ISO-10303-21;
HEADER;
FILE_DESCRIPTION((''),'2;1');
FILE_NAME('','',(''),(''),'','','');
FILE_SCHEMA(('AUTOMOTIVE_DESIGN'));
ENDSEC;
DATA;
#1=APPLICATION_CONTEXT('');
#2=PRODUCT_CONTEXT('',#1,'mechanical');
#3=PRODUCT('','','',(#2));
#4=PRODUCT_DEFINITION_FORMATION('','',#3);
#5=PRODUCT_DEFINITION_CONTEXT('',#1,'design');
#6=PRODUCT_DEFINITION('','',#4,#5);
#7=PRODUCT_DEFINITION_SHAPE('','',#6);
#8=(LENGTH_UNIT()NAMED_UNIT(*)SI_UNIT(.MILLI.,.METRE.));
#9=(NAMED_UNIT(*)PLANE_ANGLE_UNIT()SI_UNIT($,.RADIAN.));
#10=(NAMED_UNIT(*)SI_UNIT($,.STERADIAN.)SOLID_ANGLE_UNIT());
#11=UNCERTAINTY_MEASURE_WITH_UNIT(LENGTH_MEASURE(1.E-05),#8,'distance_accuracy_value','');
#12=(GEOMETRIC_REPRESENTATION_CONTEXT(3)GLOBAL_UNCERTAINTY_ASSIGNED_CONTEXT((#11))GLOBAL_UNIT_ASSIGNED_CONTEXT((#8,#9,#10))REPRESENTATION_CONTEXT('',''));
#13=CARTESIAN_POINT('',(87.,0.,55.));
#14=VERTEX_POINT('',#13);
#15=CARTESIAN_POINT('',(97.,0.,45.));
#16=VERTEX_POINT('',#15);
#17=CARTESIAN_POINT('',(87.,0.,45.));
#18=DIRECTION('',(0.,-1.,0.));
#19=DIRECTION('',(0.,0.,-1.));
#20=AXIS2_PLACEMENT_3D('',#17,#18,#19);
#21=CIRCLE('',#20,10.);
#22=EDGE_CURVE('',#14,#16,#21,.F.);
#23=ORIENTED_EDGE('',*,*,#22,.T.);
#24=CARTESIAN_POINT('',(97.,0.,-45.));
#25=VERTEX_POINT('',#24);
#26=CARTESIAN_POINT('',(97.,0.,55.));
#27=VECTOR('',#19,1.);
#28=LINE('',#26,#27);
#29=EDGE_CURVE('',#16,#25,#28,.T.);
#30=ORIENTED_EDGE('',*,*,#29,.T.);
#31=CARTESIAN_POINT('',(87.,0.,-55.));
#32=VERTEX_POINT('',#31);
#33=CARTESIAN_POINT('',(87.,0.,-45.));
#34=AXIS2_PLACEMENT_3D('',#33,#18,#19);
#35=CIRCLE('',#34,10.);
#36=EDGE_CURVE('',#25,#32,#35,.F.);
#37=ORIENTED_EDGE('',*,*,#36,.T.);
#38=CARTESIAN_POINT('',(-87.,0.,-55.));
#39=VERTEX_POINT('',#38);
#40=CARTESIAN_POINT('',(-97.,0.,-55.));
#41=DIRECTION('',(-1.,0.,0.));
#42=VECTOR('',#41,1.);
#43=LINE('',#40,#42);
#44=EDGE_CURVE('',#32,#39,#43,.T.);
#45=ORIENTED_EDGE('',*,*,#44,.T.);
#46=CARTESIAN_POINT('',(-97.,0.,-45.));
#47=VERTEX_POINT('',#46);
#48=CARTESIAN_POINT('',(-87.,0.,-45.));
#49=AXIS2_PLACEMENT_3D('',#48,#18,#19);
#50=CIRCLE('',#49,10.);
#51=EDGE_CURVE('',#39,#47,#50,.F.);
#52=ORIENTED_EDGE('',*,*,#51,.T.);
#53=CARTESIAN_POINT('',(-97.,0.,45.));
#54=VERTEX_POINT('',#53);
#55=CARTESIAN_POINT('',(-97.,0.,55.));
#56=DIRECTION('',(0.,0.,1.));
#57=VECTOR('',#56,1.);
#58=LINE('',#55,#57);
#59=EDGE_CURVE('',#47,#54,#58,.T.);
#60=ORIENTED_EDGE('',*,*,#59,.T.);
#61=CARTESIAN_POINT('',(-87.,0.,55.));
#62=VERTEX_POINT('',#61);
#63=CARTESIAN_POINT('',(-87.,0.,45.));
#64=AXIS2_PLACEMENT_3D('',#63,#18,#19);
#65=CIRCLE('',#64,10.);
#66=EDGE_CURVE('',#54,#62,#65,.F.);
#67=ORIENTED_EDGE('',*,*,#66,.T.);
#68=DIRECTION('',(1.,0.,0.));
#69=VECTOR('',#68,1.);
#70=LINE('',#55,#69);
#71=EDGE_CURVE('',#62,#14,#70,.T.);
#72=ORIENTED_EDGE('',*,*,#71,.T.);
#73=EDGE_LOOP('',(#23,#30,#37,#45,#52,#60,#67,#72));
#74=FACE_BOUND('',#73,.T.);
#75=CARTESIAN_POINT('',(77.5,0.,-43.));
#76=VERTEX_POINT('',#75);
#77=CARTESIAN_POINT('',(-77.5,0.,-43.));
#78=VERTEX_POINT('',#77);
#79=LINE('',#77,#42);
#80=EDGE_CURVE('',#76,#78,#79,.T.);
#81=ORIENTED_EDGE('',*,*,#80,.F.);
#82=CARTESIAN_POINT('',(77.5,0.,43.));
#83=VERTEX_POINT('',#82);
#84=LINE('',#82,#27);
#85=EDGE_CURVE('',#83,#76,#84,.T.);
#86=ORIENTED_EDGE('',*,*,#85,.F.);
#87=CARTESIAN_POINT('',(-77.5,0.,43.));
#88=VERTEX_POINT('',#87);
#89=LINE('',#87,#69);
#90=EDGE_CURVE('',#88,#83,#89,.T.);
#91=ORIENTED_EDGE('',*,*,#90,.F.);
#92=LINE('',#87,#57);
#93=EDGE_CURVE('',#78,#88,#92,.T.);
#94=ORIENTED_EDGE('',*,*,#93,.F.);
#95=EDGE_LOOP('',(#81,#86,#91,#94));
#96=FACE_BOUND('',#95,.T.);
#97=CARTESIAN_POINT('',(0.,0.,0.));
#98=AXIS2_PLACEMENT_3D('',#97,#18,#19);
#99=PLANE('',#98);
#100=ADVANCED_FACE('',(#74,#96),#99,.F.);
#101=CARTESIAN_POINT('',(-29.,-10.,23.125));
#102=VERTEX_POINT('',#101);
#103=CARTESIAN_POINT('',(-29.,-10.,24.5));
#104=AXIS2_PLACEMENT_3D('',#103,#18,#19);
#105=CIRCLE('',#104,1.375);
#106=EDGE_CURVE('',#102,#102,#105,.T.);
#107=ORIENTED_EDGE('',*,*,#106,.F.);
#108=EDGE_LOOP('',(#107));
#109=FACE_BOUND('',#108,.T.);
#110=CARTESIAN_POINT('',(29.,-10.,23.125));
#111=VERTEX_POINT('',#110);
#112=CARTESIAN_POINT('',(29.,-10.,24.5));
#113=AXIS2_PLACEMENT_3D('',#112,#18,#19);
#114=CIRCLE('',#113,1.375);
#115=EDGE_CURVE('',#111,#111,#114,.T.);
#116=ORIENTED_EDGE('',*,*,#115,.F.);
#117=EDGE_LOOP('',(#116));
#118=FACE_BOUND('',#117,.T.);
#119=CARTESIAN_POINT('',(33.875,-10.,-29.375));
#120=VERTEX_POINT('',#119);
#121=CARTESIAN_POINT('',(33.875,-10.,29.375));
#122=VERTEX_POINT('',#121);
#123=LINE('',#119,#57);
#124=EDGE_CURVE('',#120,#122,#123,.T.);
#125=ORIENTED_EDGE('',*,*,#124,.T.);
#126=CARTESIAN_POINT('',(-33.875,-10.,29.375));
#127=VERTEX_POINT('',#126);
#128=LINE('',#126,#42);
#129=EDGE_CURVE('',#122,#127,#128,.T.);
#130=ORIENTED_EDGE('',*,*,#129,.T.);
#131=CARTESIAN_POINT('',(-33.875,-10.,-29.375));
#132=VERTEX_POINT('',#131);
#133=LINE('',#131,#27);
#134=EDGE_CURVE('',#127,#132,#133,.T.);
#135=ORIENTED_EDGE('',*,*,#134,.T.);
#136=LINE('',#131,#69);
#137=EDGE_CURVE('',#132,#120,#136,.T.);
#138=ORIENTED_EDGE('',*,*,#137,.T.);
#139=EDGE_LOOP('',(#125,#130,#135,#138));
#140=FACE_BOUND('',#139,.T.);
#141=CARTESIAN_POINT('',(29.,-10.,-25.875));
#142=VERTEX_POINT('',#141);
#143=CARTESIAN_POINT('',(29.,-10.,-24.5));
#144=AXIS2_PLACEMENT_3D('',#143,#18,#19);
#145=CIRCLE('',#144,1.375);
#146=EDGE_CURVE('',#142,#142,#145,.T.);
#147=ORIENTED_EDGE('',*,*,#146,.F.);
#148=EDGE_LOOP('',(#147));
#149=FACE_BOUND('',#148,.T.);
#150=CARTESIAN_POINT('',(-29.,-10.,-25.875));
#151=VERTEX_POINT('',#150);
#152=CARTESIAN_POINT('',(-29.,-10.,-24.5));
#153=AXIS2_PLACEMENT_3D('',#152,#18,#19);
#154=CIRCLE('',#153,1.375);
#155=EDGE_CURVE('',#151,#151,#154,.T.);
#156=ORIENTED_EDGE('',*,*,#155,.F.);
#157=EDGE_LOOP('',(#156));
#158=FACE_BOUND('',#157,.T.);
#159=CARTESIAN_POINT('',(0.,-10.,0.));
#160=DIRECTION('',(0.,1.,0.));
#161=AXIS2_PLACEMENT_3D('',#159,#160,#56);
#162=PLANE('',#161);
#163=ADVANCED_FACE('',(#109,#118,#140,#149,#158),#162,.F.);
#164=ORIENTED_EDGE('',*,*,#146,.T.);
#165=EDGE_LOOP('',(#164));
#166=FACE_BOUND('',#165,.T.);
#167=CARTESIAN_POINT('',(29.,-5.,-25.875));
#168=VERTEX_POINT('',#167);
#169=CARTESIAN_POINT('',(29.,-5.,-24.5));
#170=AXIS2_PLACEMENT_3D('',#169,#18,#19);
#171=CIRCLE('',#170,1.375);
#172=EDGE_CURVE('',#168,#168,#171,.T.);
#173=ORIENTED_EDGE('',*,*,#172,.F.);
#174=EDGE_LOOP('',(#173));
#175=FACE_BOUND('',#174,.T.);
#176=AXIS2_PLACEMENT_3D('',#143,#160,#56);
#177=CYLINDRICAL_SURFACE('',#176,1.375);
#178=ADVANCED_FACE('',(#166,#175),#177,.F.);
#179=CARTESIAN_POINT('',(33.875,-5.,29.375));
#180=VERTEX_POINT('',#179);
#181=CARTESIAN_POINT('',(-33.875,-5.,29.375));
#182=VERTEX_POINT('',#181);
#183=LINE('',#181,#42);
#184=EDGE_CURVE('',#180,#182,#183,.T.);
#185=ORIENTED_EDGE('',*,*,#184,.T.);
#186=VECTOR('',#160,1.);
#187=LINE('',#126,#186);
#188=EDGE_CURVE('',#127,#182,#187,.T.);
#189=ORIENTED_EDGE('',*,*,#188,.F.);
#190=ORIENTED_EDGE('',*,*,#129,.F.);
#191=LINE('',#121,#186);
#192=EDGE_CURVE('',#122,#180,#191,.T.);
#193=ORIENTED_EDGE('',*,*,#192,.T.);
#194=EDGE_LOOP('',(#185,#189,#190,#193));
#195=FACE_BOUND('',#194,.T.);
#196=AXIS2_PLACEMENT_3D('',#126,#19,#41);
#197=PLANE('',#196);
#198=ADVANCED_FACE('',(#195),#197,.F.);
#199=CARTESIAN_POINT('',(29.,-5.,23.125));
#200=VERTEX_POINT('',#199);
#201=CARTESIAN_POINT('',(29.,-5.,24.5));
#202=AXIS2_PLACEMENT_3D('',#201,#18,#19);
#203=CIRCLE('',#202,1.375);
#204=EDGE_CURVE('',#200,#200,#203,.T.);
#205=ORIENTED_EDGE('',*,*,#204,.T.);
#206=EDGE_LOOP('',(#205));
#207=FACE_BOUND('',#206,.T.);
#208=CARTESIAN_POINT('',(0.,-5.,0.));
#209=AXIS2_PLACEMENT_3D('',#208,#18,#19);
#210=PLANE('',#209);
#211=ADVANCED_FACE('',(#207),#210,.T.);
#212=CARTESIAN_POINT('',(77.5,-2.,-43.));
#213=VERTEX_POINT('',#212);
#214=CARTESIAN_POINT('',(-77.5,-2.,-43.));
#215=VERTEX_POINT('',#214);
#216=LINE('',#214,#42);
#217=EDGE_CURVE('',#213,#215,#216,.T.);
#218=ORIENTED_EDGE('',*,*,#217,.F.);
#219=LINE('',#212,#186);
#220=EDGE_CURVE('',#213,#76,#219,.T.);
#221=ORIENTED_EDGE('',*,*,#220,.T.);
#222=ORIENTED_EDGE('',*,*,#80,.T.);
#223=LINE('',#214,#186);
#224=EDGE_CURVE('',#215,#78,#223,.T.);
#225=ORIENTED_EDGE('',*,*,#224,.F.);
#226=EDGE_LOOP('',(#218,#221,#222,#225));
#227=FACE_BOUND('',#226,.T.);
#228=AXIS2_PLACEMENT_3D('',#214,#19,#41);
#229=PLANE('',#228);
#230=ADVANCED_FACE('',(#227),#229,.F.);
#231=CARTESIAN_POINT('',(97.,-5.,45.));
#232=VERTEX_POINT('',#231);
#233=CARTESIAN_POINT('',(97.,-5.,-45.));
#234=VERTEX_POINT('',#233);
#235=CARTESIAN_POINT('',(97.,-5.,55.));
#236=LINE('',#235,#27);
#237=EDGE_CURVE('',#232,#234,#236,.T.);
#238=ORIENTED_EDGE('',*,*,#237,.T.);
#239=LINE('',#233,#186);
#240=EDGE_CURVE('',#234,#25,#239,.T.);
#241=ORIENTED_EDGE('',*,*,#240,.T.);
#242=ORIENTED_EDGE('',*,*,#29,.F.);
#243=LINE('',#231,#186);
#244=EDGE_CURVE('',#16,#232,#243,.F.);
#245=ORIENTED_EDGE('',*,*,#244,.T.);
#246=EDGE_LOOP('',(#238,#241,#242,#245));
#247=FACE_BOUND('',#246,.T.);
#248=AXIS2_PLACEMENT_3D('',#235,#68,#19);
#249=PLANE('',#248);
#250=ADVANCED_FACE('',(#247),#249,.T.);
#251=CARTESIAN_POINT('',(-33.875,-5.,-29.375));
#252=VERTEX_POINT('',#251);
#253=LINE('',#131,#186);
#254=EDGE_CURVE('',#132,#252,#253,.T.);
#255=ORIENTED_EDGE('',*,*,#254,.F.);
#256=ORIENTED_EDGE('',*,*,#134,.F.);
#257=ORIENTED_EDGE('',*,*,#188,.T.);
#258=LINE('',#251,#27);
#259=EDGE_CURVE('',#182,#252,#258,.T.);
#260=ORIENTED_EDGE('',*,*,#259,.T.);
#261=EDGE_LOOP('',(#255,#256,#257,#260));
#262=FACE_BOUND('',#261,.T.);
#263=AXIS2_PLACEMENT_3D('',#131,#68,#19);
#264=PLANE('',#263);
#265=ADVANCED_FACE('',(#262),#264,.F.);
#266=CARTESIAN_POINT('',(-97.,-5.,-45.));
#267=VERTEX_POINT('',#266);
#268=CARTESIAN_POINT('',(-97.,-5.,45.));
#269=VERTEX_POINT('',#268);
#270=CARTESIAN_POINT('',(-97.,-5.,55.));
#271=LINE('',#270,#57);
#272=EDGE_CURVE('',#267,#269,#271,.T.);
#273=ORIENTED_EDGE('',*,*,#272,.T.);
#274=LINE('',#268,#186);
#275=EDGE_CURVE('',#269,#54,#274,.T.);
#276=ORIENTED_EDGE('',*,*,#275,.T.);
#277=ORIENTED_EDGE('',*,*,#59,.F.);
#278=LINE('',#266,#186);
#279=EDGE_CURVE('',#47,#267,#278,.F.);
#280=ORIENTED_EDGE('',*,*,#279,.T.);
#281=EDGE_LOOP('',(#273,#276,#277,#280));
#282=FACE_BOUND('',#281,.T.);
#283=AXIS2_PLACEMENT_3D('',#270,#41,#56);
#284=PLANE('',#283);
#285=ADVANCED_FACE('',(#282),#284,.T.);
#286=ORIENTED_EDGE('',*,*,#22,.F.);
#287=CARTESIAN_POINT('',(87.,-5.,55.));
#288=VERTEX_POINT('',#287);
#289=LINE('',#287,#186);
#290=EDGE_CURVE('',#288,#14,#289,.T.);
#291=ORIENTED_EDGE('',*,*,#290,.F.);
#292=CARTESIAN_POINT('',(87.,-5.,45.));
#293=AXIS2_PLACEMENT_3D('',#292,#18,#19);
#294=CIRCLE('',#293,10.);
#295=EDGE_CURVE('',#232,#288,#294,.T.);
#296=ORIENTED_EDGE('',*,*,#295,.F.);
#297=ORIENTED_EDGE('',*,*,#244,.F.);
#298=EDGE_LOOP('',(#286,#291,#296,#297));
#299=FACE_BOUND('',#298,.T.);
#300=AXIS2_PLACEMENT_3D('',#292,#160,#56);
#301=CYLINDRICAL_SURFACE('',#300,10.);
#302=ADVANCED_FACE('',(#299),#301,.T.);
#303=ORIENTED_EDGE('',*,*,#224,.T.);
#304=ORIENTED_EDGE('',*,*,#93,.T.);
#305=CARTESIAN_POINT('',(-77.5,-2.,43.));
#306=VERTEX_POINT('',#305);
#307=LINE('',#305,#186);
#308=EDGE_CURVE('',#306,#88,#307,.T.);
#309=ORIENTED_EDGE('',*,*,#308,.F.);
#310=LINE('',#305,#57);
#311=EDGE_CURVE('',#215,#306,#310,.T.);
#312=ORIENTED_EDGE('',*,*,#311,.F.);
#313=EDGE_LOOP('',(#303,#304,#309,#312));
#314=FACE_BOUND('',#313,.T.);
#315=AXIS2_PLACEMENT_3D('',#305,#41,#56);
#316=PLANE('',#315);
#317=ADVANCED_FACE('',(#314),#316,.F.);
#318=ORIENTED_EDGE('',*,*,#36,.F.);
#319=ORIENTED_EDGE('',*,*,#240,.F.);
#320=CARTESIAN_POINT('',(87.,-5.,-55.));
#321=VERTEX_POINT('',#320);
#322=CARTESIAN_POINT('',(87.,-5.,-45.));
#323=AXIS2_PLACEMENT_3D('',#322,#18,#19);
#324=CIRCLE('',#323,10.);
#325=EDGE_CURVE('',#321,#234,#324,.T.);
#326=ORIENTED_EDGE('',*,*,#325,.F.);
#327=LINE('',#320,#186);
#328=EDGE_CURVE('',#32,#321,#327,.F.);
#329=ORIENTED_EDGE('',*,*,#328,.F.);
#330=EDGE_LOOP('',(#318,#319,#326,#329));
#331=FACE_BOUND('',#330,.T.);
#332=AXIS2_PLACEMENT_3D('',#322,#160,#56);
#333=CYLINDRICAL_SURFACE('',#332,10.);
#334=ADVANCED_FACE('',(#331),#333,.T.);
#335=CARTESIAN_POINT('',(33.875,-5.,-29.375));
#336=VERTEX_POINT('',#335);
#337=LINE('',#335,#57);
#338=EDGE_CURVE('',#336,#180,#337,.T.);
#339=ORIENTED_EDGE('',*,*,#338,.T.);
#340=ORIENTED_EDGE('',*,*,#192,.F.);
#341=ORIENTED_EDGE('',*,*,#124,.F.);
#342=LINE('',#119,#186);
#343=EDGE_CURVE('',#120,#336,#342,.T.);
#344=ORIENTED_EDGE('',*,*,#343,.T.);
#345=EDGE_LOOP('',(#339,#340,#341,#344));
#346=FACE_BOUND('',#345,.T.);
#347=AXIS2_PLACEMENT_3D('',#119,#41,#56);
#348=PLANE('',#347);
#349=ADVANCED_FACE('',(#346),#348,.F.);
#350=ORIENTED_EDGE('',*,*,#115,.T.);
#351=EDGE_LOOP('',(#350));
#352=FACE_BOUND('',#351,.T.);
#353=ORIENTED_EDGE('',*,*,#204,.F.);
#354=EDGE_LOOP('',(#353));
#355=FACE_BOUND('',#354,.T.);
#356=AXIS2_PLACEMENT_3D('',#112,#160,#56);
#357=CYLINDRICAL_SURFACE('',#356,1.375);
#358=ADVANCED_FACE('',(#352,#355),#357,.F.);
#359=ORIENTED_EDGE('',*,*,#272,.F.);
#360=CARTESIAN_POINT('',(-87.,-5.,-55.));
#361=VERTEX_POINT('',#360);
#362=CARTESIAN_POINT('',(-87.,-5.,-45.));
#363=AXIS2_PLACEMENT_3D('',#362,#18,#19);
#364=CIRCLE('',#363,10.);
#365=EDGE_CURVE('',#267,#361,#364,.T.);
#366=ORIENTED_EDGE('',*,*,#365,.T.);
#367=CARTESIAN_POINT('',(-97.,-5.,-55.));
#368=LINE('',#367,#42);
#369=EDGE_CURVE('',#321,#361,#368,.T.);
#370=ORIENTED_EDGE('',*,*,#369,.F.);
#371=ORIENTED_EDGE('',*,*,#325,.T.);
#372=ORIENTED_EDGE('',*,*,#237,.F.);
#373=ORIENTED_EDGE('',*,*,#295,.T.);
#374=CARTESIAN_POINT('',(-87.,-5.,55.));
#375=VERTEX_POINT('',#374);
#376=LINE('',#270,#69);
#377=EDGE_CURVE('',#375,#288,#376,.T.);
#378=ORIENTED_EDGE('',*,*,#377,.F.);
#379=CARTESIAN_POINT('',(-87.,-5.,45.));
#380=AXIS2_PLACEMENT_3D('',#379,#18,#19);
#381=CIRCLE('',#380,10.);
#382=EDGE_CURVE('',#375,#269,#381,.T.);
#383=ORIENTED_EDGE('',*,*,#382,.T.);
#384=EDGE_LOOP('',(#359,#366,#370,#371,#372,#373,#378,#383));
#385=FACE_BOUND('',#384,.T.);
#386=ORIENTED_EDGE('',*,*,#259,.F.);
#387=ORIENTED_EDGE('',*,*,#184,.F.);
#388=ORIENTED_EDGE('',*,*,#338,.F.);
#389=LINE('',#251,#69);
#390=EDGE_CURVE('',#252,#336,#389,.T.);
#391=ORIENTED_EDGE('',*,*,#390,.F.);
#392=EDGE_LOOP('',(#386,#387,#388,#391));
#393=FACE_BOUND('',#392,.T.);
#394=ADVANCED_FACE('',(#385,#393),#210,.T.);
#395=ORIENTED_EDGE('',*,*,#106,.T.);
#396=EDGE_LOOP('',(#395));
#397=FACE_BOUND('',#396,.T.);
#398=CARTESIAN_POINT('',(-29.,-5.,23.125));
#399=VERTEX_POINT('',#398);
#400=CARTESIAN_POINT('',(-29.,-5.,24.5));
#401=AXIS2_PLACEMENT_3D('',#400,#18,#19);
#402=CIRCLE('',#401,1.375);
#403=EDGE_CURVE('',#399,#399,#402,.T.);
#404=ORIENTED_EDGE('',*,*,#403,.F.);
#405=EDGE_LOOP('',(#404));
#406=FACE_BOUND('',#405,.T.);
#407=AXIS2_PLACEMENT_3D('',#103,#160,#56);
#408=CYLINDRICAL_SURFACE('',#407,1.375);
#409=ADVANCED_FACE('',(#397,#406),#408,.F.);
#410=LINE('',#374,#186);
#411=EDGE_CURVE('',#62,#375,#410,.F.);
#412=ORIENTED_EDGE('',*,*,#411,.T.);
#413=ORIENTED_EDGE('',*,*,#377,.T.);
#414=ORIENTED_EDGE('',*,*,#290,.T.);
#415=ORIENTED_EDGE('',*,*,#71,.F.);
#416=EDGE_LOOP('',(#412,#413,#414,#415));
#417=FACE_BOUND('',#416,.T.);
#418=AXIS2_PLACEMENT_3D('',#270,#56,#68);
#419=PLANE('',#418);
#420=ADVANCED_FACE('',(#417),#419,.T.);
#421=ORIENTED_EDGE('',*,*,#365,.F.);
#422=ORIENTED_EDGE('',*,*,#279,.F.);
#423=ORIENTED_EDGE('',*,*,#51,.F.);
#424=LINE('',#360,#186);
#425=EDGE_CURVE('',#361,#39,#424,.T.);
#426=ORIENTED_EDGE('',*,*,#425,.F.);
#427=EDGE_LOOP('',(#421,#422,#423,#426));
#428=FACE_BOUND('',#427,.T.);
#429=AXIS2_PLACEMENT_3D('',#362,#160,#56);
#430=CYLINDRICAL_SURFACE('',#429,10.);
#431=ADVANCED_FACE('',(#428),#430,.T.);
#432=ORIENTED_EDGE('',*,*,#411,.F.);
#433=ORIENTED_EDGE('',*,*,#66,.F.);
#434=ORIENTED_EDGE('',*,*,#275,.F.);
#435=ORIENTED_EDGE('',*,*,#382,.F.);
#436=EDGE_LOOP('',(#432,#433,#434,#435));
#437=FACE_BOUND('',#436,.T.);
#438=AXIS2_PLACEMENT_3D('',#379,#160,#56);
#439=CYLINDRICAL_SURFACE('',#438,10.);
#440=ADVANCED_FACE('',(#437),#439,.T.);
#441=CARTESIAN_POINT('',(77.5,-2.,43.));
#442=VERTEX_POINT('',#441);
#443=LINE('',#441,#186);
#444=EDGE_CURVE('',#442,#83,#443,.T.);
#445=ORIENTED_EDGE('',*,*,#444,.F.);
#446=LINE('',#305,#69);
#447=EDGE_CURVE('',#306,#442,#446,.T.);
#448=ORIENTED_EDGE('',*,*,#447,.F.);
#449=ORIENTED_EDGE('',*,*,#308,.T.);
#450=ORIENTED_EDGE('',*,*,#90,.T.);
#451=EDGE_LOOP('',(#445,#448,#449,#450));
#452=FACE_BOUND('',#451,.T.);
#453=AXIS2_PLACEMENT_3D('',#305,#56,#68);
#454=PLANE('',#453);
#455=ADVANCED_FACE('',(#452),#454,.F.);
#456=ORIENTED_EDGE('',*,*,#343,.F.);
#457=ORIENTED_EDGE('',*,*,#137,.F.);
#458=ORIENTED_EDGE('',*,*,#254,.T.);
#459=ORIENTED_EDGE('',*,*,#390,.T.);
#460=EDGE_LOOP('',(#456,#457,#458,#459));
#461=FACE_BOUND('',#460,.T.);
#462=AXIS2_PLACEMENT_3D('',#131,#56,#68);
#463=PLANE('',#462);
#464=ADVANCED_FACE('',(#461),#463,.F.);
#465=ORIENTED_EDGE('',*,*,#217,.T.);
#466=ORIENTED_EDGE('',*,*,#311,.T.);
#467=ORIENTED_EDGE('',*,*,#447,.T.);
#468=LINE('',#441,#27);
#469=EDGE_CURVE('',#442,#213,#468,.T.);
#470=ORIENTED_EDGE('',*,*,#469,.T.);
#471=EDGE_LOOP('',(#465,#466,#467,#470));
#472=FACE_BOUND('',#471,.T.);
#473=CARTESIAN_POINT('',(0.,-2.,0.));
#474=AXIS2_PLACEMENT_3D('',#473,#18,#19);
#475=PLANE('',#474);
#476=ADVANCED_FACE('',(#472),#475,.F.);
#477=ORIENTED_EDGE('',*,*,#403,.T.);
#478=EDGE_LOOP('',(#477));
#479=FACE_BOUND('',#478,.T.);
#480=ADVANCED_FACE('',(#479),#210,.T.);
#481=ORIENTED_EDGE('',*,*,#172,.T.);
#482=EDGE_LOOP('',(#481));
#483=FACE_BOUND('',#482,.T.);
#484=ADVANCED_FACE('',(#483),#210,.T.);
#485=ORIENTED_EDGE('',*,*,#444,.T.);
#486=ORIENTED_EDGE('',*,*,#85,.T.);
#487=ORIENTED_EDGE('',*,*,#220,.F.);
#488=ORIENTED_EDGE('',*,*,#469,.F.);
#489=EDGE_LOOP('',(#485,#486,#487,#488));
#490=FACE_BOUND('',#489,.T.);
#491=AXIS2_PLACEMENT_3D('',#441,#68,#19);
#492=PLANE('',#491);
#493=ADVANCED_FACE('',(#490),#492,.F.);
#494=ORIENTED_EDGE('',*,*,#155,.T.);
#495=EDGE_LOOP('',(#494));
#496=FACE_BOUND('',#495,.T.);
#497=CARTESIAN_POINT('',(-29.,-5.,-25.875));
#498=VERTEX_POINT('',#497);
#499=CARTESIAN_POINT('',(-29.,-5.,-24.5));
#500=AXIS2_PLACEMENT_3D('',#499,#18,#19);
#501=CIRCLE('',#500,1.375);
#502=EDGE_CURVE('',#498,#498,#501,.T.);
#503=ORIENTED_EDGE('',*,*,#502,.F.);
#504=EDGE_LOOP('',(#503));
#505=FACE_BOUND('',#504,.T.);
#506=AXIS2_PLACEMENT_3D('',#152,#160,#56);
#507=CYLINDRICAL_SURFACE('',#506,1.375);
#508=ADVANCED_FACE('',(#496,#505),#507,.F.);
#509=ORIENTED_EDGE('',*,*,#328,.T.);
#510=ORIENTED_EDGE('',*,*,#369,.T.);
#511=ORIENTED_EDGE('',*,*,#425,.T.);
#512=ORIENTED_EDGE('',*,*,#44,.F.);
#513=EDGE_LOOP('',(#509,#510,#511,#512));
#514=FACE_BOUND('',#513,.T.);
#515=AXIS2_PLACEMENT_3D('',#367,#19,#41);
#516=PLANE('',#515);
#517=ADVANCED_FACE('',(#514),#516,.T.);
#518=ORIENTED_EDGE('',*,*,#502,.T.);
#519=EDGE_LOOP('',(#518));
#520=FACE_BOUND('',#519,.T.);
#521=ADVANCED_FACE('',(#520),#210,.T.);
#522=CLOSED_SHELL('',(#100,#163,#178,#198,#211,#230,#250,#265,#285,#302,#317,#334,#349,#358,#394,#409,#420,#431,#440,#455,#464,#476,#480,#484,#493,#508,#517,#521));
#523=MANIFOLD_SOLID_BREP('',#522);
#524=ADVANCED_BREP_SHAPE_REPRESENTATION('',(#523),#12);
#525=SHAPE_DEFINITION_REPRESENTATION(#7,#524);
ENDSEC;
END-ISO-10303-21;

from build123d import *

# Parameters (mm, degrees)
SKETCH1_W           = 194
SKETCH1_H           = 110
BOSS_EXTRUDE1_DEPTH = 5
FILLET1_R           = 10
SKETCH2_W           = 155
SKETCH2_H           = 86
CUT_EXTRUDE1_DEPTH  = 2
SKETCH3_W           = 67.75
SKETCH3_H           = 58.75
SKETCH3_R           = 1.375
BOSS_EXTRUDE2_DEPTH = 5


with BuildPart() as part:
    # Sketch1 → Boss-Extrude1 (new body)
    with BuildSketch(Plane(origin=(0, 0, 0), x_dir=(1, 0, 0), z_dir=(0, 1, 0))):
        Rectangle(SKETCH1_W, SKETCH1_H)
    extrude(amount=-BOSS_EXTRUDE1_DEPTH)

    # Fillet1
    fillet1_edges = [part.edges().sort_by_distance(p)[0] for p in [
        (97, -2.5, 55),
        (-97, -2.5, 55),
        (-97, -2.5, -55),
        (97, -2.5, -55),
    ]]
    fillet(fillet1_edges, radius=FILLET1_R)

    # Sketch2 → Cut-Extrude1 (cut)
    with BuildSketch(Plane(origin=(0, 0, 0), x_dir=(1, 0, 0), z_dir=(0, 1, 0))):
        Rectangle(SKETCH2_W, SKETCH2_H)
    extrude(amount=-CUT_EXTRUDE1_DEPTH, mode=Mode.SUBTRACT)

    # Sketch3 → Boss-Extrude2 (add)
    with BuildSketch(Plane.XZ.offset(5)):
        Rectangle(SKETCH3_W, SKETCH3_H)
        with Locations(Location((-29, 24.5, 0), (0, 0, 270))):
            Circle(SKETCH3_R, mode=Mode.SUBTRACT)
        with Locations(Location((29, 24.5, 0), (0, 0, 270))):
            Circle(SKETCH3_R, mode=Mode.SUBTRACT)
        with Locations(Location((29, -24.5, 0), (0, 0, 270))):
            Circle(SKETCH3_R, mode=Mode.SUBTRACT)
        with Locations(Location((-29, -24.5, 0), (0, 0, 270))):
            Circle(SKETCH3_R, mode=Mode.SUBTRACT)
    extrude(amount=BOSS_EXTRUDE2_DEPTH)


solid = part.part
